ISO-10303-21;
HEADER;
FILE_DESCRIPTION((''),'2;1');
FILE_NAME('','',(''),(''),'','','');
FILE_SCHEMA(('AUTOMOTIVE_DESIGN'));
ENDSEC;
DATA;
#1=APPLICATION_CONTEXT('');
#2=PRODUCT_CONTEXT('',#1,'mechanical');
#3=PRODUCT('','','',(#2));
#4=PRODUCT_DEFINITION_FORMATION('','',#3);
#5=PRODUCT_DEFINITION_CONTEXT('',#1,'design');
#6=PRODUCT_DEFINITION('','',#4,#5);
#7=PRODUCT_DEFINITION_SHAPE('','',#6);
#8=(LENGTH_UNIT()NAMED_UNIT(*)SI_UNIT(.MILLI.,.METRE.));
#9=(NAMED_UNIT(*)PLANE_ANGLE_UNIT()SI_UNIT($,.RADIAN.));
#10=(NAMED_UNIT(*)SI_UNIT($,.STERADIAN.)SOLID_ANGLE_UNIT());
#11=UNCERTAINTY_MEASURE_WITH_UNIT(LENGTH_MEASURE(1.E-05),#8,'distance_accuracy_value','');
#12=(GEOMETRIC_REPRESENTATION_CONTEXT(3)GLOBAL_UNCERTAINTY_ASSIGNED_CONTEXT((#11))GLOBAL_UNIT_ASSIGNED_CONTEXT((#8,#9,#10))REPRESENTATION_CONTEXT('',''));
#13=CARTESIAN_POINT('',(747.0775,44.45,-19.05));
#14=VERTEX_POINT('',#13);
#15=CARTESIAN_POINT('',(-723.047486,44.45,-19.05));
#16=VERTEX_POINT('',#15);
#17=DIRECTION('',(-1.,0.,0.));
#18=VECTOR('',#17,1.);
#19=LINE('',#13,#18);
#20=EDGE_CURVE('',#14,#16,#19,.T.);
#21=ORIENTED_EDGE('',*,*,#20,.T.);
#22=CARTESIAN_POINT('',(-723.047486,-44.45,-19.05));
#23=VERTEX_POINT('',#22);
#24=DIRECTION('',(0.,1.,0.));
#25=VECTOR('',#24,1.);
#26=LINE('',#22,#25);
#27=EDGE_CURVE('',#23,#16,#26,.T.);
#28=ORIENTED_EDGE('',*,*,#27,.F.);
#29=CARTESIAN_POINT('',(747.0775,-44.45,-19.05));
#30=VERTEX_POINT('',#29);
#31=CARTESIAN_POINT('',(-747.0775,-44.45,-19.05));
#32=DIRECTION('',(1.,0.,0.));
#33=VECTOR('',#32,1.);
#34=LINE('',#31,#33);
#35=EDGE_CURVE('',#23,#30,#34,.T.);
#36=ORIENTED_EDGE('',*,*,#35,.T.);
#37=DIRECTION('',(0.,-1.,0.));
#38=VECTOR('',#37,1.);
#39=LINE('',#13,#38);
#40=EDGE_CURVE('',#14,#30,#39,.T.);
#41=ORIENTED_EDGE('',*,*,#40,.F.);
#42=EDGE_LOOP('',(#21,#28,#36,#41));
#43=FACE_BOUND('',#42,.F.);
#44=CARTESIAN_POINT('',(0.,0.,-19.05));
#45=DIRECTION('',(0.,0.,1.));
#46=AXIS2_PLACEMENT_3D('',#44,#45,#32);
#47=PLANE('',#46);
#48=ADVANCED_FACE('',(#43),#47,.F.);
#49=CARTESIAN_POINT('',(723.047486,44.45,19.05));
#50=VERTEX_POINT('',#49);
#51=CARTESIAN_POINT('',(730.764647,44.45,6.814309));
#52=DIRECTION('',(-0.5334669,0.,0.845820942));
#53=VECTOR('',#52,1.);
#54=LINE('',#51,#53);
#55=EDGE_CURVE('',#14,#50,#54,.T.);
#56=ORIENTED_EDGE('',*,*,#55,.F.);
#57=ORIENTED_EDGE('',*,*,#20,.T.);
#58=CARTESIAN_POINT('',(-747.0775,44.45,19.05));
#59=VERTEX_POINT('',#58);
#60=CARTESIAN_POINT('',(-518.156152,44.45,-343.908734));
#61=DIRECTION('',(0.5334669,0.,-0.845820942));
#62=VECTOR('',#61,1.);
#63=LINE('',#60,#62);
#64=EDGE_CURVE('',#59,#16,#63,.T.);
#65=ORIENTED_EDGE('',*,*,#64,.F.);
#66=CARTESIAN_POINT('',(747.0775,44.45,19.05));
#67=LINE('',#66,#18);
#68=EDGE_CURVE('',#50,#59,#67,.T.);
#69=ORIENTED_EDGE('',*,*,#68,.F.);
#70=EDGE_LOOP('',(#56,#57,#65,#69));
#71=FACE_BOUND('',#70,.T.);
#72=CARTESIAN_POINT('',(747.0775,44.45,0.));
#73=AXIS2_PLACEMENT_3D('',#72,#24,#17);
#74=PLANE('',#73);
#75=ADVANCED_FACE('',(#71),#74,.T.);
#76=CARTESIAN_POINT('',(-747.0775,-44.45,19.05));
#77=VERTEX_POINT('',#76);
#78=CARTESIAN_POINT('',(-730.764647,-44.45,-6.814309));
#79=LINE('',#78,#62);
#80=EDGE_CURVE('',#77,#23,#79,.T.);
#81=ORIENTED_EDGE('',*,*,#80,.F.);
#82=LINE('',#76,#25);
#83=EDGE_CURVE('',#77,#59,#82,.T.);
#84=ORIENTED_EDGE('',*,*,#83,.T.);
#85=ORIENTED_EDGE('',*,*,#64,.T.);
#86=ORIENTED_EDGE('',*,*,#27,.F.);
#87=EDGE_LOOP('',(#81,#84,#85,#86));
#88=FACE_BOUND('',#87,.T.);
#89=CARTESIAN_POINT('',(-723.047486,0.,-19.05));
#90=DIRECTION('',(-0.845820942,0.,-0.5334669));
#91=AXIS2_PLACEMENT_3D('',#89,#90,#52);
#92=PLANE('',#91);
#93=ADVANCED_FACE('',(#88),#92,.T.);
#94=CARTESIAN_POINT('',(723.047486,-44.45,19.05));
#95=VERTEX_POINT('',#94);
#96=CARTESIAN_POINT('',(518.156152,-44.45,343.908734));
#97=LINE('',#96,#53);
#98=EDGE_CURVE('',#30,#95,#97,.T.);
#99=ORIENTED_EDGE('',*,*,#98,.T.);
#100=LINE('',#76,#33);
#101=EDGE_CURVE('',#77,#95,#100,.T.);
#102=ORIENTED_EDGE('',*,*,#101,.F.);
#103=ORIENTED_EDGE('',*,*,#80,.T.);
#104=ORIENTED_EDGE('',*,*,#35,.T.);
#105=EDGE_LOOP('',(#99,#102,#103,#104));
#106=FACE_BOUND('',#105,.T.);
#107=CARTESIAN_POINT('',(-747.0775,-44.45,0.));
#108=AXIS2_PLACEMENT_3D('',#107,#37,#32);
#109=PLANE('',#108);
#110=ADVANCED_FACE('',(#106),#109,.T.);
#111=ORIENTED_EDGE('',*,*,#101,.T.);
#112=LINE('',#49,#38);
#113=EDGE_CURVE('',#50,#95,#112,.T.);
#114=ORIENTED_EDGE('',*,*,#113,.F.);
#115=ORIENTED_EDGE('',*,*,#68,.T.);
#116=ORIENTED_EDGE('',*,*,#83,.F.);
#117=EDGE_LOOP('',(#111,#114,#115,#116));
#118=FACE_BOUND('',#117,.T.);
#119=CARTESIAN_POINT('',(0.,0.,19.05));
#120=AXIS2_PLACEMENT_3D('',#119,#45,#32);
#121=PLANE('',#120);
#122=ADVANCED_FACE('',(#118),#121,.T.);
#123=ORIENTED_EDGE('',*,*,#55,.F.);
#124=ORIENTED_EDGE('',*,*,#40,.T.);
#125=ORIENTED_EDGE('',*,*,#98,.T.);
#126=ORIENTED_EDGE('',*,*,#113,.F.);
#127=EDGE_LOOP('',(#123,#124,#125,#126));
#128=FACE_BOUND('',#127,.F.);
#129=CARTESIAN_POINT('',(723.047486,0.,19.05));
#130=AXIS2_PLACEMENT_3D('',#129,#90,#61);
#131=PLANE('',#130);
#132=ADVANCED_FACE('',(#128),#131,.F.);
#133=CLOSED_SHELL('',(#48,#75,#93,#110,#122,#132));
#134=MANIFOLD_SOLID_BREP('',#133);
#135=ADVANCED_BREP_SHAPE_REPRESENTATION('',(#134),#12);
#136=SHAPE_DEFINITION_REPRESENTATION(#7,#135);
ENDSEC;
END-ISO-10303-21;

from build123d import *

# Parameters (mm, degrees)
F1_DEPTH      = 19.05
F3_DEPTH      = 44.451
F3_DEPTH_BACK = 44.451


with BuildPart() as f1:
    # F0 (on Top) → F1 (new body, symmetric)
    with BuildSketch(Plane.XY):
        Polygon((747.0775, -44.45), (747.0775, 44.45), (543.0524678135, 44.45), (-747.0775, 44.45), (-747.0775, -44.45), (-691.0074678135, -44.45), align=None)
    extrude(amount=F1_DEPTH, both=True)

    # F2 (on Front) → F3 (cut, two sides)
    with BuildSketch(Plane.XZ) as f3_sk:
        Polygon((723.0474862058, 19.05), (747.0775, -19.05), (747.0775, 19.05), align=None)
        Polygon((-747.0775, -19.05), (-723.0474862058, -19.05), (-747.0775, 19.05), align=None)
    extrude(amount=-F3_DEPTH, mode=Mode.SUBTRACT)
    extrude(f3_sk.sketch, amount=F3_DEPTH_BACK, mode=Mode.SUBTRACT)


solid = f1.part
